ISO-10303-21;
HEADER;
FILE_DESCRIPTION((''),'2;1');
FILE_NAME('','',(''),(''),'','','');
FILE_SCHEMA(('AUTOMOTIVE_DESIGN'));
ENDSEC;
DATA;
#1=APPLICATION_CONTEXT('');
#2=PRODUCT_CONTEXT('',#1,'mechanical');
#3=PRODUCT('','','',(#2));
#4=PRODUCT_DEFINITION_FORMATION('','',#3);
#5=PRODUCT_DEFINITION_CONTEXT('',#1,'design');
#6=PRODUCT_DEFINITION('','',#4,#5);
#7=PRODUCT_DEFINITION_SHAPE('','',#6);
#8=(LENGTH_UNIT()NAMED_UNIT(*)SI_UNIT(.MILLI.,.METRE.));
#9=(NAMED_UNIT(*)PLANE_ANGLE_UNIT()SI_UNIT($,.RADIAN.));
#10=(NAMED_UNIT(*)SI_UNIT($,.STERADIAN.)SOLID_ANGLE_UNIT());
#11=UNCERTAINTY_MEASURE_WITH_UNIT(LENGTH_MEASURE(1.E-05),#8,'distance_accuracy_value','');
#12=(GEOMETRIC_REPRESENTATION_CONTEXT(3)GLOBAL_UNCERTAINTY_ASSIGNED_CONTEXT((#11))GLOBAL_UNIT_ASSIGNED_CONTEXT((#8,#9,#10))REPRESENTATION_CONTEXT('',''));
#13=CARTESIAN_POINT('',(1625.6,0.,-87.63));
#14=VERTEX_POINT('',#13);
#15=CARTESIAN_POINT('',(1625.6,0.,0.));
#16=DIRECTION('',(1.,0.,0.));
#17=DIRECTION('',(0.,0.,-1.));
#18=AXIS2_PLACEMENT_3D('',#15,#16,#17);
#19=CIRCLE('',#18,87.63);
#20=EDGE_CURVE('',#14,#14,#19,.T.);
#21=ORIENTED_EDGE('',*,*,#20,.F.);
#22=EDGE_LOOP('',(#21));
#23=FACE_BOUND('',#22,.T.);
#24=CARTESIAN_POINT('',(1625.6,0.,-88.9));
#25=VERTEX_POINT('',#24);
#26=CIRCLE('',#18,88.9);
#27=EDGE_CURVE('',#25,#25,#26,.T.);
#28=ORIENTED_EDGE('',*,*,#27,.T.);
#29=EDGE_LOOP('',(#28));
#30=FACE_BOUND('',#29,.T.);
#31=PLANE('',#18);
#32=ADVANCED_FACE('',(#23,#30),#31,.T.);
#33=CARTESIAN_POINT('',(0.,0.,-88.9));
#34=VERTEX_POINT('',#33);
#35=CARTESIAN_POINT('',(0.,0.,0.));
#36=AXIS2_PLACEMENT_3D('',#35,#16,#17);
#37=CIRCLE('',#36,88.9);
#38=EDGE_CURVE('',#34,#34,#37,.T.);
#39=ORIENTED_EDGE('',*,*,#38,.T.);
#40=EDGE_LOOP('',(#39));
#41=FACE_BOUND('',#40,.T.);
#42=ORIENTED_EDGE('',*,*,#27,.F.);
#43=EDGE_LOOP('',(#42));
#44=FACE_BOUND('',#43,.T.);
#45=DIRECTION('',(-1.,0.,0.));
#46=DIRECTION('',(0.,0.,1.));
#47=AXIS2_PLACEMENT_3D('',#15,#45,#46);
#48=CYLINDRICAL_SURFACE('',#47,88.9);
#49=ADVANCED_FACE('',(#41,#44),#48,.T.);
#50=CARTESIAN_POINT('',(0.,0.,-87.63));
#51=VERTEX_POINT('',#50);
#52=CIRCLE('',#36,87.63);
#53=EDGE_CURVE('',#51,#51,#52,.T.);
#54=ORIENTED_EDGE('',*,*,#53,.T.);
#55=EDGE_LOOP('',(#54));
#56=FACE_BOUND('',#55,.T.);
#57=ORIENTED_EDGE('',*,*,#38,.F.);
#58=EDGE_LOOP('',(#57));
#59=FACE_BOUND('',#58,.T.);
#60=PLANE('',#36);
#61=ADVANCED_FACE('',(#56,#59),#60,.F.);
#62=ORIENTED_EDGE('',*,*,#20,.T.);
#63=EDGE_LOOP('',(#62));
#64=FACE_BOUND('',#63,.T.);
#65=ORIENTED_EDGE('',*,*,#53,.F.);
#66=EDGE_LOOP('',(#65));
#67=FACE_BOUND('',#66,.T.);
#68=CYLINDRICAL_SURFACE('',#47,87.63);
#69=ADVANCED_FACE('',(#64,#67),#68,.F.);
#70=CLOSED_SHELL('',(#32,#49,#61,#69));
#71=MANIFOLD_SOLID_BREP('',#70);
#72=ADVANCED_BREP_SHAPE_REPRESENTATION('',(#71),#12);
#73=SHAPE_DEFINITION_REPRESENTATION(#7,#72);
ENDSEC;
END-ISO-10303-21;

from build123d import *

# Parameters (mm, degrees)
SKIN_CROSS_SECTION_PROFILE_R   = 88.9
SKIN_CROSS_SECTION_PROFILE_R_2 = 87.63
CYLIDER_SKIN_EXTRUDE_DEPTH     = 1625.6


with BuildPart() as part:
    # Skin cross section profile → Cylider skin extrude (new body)
    with BuildSketch(Plane(origin=(0, 0, 0), x_dir=(0, -1, 0), z_dir=(1, 0, 0))):
        Circle(SKIN_CROSS_SECTION_PROFILE_R)
        Circle(SKIN_CROSS_SECTION_PROFILE_R_2, mode=Mode.SUBTRACT)
    extrude(amount=CYLIDER_SKIN_EXTRUDE_DEPTH)


solid = part.part
